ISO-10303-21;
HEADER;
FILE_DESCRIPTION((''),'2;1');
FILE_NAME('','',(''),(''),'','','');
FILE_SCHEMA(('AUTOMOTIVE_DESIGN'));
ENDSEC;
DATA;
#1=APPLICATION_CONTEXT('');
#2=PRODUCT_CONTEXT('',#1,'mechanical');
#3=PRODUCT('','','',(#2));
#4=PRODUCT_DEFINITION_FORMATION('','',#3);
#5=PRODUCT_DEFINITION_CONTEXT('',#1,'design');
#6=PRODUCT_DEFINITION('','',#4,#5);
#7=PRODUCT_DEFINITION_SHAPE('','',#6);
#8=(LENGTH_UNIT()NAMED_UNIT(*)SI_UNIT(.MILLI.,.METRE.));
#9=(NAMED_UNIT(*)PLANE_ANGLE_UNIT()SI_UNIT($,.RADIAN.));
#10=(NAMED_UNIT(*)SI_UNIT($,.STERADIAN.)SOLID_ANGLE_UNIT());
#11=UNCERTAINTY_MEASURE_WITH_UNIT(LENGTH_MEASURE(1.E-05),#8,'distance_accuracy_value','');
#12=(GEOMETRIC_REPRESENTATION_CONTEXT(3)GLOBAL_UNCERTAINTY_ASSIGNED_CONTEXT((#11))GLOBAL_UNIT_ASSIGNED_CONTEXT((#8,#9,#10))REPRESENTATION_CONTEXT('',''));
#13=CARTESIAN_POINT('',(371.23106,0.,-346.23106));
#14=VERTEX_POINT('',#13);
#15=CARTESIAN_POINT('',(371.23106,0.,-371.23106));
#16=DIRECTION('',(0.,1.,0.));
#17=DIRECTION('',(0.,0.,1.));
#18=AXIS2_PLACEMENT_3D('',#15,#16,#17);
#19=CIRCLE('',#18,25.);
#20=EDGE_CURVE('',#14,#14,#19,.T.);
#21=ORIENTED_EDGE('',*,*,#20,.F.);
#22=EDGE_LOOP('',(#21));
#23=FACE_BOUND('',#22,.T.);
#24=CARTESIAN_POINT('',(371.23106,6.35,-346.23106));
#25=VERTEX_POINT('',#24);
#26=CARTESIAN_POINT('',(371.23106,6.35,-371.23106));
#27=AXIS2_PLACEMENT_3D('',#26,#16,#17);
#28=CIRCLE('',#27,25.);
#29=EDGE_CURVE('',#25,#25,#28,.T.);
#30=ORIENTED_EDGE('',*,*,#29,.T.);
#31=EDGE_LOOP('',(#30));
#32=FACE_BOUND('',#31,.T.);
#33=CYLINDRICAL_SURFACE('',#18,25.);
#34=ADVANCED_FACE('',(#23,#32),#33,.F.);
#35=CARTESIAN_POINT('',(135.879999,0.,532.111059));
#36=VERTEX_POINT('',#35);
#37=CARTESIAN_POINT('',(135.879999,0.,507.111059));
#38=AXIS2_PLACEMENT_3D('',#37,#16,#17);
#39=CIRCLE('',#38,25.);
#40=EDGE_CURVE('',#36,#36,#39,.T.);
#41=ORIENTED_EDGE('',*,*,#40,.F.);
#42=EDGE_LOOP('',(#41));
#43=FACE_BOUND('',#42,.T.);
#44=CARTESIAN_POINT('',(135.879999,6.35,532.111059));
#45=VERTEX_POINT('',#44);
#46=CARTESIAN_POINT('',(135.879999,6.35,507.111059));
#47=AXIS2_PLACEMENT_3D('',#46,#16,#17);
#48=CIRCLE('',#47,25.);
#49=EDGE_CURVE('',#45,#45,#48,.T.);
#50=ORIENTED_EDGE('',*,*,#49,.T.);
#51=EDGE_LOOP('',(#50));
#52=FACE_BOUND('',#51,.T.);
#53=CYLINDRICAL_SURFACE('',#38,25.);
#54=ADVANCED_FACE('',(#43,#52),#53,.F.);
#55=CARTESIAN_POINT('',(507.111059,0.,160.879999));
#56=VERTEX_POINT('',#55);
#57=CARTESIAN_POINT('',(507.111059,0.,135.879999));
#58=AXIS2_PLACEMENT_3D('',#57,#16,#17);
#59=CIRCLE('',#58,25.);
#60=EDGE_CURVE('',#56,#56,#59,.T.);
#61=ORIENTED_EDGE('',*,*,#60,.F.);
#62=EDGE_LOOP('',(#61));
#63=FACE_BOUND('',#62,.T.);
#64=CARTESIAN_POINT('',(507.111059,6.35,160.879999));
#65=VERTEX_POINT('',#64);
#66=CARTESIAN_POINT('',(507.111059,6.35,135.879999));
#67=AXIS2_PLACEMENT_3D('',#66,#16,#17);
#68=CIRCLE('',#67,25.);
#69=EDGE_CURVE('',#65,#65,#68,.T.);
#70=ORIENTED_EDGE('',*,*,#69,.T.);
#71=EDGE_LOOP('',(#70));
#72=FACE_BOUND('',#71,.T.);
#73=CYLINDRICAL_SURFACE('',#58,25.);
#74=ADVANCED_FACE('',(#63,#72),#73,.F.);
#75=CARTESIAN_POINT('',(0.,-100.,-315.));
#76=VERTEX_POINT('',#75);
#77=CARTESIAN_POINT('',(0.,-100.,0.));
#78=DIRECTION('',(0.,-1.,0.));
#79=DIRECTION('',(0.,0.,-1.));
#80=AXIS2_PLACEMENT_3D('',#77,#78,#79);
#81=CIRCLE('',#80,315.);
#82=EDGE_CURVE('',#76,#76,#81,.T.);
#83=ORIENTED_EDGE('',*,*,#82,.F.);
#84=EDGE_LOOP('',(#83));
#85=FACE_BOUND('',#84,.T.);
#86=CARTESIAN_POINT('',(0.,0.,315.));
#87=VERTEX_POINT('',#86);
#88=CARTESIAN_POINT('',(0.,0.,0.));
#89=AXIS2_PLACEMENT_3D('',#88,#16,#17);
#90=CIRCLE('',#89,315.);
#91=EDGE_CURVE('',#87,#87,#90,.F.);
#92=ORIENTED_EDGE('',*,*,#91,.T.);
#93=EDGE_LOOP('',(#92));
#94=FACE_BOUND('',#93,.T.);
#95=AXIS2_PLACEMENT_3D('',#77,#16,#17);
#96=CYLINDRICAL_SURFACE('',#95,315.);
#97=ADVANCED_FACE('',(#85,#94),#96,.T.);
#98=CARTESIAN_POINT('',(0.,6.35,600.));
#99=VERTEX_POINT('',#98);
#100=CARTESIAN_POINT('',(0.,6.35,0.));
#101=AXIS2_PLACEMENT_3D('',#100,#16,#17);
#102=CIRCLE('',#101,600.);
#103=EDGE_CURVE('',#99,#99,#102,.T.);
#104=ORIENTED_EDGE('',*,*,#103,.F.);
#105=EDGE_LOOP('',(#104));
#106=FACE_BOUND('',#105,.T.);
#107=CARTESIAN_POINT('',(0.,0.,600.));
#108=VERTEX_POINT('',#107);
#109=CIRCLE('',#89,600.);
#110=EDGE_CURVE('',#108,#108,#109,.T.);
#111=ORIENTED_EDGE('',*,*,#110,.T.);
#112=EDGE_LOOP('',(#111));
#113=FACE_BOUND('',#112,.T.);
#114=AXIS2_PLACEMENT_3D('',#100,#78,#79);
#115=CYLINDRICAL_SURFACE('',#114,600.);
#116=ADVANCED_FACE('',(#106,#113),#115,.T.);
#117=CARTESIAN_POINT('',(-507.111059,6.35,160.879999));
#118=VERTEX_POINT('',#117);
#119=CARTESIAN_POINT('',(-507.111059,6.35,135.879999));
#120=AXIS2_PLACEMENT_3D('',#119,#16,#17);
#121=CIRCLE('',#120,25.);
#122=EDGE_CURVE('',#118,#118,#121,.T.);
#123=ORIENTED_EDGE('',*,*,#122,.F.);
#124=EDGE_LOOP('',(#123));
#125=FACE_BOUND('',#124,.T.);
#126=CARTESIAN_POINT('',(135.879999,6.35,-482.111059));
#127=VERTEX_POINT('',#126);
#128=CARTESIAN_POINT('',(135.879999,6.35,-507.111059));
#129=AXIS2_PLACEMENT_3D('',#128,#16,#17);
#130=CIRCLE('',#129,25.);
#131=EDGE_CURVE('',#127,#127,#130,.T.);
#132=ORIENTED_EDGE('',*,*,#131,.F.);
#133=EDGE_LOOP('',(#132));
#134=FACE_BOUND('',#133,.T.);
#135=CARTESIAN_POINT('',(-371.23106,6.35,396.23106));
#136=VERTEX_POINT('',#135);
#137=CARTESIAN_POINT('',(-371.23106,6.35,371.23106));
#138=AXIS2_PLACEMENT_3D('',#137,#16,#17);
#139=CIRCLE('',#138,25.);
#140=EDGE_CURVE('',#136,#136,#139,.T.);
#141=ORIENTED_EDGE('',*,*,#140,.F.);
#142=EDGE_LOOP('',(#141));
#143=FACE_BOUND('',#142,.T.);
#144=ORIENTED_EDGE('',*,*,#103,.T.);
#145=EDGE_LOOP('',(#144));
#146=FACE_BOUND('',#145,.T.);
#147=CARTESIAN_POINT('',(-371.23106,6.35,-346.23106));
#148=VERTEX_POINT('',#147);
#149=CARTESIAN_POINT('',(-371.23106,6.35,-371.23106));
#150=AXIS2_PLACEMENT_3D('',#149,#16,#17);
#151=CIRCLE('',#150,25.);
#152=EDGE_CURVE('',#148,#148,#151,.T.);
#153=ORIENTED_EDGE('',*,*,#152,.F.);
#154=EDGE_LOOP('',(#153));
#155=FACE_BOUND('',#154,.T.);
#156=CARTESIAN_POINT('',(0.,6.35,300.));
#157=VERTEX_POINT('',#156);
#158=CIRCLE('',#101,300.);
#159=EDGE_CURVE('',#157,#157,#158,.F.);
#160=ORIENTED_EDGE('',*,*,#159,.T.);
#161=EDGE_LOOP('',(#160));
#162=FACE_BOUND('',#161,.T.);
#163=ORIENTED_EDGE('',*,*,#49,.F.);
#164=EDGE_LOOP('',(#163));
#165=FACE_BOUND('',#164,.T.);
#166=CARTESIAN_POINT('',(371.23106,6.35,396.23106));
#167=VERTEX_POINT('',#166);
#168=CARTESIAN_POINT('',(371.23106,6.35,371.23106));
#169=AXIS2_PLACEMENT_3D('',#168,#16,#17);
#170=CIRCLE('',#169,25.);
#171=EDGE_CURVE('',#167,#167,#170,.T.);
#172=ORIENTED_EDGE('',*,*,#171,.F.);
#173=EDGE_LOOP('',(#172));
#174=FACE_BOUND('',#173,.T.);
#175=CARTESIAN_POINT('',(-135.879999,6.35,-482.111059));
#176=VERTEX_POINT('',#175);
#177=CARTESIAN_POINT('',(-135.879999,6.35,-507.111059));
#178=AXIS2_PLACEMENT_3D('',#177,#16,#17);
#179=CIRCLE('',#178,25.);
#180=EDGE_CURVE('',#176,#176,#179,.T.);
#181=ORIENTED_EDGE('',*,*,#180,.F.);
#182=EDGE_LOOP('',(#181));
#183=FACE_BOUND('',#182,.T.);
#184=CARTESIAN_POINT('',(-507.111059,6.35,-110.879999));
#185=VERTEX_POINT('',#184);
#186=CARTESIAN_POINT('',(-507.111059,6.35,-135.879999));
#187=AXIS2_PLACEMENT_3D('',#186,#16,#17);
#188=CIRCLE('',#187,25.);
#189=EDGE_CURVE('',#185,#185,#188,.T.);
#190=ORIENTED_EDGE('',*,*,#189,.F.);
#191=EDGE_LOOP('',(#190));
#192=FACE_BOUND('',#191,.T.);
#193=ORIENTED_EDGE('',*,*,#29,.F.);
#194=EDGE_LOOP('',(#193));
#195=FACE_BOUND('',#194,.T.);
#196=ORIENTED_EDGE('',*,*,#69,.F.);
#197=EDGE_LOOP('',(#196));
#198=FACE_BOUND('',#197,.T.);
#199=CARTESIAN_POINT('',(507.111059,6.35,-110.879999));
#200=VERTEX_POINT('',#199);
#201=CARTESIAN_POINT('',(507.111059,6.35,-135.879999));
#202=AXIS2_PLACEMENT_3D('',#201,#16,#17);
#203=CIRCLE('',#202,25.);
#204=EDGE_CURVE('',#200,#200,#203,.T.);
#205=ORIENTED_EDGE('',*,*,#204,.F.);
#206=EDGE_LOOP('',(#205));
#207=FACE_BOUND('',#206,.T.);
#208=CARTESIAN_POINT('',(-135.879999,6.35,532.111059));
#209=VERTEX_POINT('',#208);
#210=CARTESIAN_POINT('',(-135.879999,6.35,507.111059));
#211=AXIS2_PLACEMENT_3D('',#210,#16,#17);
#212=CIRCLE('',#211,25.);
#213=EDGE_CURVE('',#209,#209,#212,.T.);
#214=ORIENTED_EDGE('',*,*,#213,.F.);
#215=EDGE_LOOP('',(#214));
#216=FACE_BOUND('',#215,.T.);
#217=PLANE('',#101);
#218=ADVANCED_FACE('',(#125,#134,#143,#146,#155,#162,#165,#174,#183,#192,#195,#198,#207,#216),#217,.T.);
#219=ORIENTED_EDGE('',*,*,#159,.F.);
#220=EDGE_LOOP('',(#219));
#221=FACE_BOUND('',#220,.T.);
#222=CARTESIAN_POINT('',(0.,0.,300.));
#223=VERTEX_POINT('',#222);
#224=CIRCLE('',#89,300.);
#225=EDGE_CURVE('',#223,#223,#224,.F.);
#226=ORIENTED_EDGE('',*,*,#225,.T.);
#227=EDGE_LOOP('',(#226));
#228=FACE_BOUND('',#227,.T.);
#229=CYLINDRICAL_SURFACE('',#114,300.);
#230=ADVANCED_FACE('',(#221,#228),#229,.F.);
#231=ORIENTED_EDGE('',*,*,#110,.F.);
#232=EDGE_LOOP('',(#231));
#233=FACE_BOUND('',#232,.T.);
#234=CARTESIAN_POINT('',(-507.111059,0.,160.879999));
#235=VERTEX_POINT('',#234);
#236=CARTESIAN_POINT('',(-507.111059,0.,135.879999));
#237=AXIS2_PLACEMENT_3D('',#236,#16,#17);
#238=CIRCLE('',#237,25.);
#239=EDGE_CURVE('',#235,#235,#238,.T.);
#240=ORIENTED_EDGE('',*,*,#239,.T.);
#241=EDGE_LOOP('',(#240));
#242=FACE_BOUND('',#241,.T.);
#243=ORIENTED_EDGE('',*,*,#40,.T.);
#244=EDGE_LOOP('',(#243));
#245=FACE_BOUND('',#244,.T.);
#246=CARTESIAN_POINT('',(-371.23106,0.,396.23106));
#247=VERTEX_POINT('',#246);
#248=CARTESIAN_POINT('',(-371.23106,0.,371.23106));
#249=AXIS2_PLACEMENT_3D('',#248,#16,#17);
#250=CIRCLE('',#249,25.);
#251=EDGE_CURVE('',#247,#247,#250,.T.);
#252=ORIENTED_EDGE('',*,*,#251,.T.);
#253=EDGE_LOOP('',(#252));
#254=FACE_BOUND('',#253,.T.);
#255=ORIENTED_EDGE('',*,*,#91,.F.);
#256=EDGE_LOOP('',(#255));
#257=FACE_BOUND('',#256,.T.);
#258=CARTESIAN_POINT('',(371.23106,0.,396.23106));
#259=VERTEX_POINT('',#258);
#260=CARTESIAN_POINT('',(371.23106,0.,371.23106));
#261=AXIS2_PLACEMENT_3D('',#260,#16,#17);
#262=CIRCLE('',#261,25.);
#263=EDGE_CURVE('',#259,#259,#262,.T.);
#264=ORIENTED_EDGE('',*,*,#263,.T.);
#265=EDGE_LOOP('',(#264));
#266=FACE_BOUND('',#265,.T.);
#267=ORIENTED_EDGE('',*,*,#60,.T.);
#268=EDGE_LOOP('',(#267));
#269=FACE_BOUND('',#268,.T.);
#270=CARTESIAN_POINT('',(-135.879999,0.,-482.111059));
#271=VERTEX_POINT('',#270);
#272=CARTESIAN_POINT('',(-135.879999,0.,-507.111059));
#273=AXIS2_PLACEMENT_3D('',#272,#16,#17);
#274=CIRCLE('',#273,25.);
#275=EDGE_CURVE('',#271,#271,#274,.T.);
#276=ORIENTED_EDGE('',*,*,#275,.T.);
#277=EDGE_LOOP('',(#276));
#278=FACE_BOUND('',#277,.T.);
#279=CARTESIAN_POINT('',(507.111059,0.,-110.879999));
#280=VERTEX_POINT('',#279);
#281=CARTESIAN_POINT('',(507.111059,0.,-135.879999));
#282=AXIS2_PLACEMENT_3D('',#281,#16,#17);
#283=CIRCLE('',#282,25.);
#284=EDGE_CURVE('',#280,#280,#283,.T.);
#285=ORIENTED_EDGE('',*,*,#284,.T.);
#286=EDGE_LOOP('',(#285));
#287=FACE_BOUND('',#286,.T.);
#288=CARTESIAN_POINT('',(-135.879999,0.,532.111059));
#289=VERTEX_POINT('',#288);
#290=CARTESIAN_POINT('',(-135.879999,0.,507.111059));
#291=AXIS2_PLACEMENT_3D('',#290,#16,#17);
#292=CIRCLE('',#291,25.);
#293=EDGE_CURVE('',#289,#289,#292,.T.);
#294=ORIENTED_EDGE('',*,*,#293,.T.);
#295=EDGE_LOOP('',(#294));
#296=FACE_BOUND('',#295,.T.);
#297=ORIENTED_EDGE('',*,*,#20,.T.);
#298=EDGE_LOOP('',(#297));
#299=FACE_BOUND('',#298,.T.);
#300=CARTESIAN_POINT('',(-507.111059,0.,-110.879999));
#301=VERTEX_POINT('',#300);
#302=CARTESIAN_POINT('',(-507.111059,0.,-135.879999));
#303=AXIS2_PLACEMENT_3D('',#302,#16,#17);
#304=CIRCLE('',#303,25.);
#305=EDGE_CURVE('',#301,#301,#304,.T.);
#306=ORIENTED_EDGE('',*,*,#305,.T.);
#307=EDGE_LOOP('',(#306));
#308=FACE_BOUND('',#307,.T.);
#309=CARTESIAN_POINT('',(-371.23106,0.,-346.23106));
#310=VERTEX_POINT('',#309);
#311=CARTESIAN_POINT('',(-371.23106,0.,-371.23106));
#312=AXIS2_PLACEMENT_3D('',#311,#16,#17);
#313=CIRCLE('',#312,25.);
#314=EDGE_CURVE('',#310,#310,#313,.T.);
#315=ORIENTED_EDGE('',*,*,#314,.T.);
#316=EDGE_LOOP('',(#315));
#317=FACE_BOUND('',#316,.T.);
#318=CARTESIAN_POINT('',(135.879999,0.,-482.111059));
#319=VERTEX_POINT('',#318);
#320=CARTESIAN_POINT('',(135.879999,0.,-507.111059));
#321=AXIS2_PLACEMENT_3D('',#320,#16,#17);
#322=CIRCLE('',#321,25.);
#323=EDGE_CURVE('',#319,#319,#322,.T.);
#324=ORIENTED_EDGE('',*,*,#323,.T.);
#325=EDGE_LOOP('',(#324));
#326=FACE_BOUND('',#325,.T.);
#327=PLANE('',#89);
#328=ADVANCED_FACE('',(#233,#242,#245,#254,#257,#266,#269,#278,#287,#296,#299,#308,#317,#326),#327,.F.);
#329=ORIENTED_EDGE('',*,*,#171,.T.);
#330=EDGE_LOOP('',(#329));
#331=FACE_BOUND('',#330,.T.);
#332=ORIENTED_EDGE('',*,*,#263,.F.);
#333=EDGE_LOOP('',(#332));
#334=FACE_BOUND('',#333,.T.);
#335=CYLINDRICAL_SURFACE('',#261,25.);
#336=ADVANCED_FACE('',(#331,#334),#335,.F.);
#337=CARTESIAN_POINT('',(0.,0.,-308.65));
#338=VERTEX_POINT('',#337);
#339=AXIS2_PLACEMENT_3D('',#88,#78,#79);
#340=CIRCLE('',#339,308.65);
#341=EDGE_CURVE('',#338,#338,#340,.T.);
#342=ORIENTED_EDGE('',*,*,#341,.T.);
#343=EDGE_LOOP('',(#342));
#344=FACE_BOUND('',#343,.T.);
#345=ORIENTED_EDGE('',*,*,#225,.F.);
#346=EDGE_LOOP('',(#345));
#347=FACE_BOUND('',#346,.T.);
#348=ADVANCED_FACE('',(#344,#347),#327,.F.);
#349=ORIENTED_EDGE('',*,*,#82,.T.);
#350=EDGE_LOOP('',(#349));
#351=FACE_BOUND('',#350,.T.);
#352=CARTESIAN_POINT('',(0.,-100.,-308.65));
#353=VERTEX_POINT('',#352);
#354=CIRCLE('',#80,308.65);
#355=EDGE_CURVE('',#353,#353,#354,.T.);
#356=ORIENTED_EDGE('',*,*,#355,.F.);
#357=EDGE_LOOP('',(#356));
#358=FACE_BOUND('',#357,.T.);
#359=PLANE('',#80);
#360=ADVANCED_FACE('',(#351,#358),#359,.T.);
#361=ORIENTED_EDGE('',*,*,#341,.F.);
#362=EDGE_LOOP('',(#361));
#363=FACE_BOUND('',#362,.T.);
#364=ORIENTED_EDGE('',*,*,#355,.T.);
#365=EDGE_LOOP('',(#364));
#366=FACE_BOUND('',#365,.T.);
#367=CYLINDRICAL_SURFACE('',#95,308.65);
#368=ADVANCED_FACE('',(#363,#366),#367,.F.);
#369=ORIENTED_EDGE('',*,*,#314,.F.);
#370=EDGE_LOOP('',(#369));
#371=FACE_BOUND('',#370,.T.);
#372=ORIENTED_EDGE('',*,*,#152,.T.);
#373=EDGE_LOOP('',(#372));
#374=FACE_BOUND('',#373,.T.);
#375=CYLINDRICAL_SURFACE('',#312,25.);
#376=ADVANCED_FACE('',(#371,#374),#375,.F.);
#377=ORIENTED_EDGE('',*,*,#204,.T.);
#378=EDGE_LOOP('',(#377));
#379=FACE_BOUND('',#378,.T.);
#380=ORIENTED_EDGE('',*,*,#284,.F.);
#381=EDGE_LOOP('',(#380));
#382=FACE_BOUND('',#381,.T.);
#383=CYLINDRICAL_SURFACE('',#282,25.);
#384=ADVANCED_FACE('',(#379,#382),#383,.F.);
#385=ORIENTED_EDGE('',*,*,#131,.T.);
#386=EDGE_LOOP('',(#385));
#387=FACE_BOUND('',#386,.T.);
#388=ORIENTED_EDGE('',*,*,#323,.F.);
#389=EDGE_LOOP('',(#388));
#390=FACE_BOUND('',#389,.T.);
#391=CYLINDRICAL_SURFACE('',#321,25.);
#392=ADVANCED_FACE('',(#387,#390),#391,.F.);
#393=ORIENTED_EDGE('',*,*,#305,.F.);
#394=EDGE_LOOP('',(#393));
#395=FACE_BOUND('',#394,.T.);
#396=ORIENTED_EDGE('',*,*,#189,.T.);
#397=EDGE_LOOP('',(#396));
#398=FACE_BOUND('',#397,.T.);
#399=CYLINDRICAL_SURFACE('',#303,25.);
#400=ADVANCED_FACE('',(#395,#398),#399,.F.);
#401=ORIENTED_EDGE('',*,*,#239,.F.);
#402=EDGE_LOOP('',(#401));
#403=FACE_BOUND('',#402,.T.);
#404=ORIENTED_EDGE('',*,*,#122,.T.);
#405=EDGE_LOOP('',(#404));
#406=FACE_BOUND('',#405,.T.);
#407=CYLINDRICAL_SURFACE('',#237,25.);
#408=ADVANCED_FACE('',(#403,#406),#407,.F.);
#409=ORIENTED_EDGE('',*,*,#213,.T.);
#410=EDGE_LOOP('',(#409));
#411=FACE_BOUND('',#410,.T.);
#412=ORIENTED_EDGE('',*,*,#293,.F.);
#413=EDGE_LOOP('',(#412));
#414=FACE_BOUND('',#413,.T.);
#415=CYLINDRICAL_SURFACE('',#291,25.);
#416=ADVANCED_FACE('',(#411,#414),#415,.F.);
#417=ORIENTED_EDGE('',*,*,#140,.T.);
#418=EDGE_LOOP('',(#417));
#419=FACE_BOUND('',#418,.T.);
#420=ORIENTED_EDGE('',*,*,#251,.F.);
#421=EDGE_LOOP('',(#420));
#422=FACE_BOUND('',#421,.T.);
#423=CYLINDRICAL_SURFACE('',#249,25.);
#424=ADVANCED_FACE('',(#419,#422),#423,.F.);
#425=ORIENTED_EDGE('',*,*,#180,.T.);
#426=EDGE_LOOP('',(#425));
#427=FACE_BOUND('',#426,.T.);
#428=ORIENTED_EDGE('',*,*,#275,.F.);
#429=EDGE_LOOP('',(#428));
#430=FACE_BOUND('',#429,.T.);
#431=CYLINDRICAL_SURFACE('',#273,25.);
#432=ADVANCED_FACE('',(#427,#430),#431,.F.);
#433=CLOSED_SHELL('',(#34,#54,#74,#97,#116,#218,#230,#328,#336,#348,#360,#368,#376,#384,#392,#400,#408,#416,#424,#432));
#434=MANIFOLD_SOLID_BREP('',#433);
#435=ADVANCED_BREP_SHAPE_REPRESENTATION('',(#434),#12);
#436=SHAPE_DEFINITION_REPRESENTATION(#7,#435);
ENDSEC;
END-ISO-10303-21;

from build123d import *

# Parameters (mm, degrees)
BOSS_EXTRUDE1_DEPTH     = 6.35
CUT_EXTRUDE1_DEPTH      = 849.551897352
CUT_EXTRUDE1_DEPTH_BACK = 849.551897352
SKETCH2_R               = 25
SKETCH3_R               = 315
SKETCH3_R_2             = 308.65
BOSS_EXTRUDE2_DEPTH     = 100


with BuildPart() as part:
    # Sketch1 → Boss-Extrude1 (new body)
    with BuildSketch(Plane(origin=(0, 0, 0), x_dir=(1, 0, 0), z_dir=(0, 1, 0))):
        with BuildLine():
            Line((0, 450), (0, 300))
            ThreePointArc((0, 300), (212.132034356, 212.132034356), (300, 0))
            ThreePointArc((300, 0), (212.132034356, -212.132034356), (0, -300))
            Line((0, -300), (0, -450))
            ThreePointArc((0, -450), (318.198051534, -318.198051534), (450, 0))
            ThreePointArc((450, 0), (318.198051534, 318.198051534), (0, 450))
        make_face()
        with BuildLine():
            ThreePointArc((0, -450), (-450, 0), (0, 450))
            Line((0, 450), (0, 600))
            ThreePointArc((0, 600), (-600, 0), (0, -600))
            Line((0, -600), (0, -450))
        make_face()
        with BuildLine():
            Line((0, 600), (0, 450))
            ThreePointArc((0, 450), (318.198051534, 318.198051534), (450, 0))
            ThreePointArc((450, 0), (318.198051534, -318.198051534), (0, -450))
            Line((0, -450), (0, -600))
            ThreePointArc((0, -600), (424.264068712, -424.264068712), (600, 0))
            ThreePointArc((600, 0), (424.264068712, 424.264068712), (0, 600))
        make_face()
        with BuildLine():
            ThreePointArc((0, -300), (-300, 0), (0, 300))
            Line((0, 300), (0, 450))
            ThreePointArc((0, 450), (-450, 0), (0, -450))
            Line((0, -450), (0, -300))
        make_face()
    extrude(amount=BOSS_EXTRUDE1_DEPTH)

    # Sketch2 → Cut-Extrude1 (cut, two sides: drawn at the far end of the back side and taken through both)
    with BuildSketch(Plane(origin=(0, 6.35, 0), x_dir=(1, 0, 0), z_dir=(0, 1, 0)).offset(-CUT_EXTRUDE1_DEPTH_BACK)):
        with Locations(Location((135.879998679, 507.111058802, 0), (0, 0, 270))):
            Circle(SKETCH2_R)
        with Locations(Location((-135.879998679, 507.111058802, 0), (0, 0, 270))):
            Circle(SKETCH2_R)
        with Locations(Location((371.231060123, 371.231060123, 0), (0, 0, 270))):
            Circle(SKETCH2_R)
        with Locations(Location((507.111058802, 135.879998679, 0), (0, 0, 270))):
            Circle(SKETCH2_R)
        with Locations(Location((507.111058802, -135.879998679, 0), (0, 0, 270))):
            Circle(SKETCH2_R)
        with Locations(Location((371.231060123, -371.231060123, 0), (0, 0, 270))):
            Circle(SKETCH2_R)
        with Locations(Location((135.879998679, -507.111058802, 0), (0, 0, 270))):
            Circle(SKETCH2_R)
        with Locations(Location((-371.231060123, 371.231060123, 0), (0, 0, 270))):
            Circle(SKETCH2_R)
        with Locations(Location((-507.111058802, 135.879998679, 0), (0, 0, 270))):
            Circle(SKETCH2_R)
        with Locations(Location((-507.111058802, -135.879998679, 0), (0, 0, 270))):
            Circle(SKETCH2_R)
        with Locations(Location((-371.231060123, -371.231060123, 0), (0, 0, 270))):
            Circle(SKETCH2_R)
        with Locations(Location((-135.879998679, -507.111058802, 0), (0, 0, 270))):
            Circle(SKETCH2_R)
    extrude(amount=CUT_EXTRUDE1_DEPTH + CUT_EXTRUDE1_DEPTH_BACK, mode=Mode.SUBTRACT)

    # Sketch3 → Boss-Extrude2 (add)
    with BuildSketch(Plane.XZ):
        with Locations(Location((0, 0, 0), (0, 0, 90))):
            Circle(SKETCH3_R)
        with Locations(Location((0, 0, 0), (0, 0, 270))):
            Circle(SKETCH3_R_2, mode=Mode.SUBTRACT)
    extrude(amount=BOSS_EXTRUDE2_DEPTH)


solid = part.part
